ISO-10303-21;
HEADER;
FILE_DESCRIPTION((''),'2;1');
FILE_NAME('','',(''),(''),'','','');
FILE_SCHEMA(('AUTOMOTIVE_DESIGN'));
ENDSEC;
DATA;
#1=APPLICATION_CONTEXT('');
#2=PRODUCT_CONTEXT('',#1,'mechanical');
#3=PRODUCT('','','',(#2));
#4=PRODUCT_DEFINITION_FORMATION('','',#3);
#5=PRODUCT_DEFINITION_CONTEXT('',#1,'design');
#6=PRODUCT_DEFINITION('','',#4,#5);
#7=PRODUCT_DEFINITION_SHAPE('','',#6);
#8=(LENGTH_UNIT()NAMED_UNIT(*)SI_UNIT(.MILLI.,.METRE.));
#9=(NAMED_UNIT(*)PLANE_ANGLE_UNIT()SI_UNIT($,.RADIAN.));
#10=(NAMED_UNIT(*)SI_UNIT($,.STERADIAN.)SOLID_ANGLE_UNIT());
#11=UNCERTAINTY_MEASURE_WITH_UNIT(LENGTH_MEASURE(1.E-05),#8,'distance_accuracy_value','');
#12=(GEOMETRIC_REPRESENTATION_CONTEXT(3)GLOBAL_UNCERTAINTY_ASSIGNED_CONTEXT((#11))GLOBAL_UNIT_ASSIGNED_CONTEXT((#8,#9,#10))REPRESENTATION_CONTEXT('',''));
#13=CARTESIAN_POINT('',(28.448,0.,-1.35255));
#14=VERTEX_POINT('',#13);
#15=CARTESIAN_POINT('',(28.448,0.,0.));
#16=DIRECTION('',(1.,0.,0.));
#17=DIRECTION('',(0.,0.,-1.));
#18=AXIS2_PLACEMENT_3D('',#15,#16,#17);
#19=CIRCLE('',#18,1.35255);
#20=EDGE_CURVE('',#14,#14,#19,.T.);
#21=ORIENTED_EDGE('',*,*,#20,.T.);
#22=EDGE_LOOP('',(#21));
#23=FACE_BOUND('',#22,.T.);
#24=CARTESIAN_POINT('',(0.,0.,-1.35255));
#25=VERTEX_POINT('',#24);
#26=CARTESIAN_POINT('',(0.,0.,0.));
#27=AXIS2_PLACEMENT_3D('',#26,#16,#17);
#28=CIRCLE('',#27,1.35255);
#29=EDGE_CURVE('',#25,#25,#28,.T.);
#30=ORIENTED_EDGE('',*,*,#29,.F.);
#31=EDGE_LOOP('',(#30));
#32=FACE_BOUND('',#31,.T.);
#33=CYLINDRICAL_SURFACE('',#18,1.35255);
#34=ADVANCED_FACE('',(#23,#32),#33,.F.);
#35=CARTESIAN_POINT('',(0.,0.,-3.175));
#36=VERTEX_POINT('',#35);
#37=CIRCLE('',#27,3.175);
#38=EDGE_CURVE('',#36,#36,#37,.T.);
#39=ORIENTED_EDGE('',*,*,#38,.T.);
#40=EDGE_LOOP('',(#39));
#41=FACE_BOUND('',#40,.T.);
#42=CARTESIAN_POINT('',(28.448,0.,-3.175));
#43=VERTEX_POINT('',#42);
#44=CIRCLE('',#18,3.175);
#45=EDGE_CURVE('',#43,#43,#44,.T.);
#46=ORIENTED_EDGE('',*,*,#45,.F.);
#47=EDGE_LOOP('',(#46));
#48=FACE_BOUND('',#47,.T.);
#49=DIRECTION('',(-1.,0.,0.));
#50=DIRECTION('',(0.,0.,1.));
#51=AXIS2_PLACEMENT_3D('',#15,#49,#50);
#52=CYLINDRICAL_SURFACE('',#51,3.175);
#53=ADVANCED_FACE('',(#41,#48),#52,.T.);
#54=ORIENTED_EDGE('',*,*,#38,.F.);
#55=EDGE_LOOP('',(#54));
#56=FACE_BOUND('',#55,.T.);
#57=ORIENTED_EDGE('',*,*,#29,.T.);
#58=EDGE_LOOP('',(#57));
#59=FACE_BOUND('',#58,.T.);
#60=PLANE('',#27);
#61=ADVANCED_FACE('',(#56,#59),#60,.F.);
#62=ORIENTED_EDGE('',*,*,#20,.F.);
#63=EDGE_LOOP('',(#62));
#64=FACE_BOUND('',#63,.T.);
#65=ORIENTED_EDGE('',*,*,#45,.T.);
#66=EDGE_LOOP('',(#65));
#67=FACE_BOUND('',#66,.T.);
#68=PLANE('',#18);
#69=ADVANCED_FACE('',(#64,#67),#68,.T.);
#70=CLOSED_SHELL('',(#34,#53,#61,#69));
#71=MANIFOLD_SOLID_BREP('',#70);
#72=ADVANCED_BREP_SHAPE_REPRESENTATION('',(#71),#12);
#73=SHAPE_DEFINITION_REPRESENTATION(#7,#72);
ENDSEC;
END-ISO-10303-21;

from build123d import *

# Parameters (mm, degrees)
SKETCH1_R             = 3.175
BOSS_EXTRUDE1_DEPTH   = 28.448
F_6_32_TAPPED_HOLE1_D = 2.7051


with BuildPart() as part:
    # Sketch1 → Boss-Extrude1 (new body)
    with BuildSketch(Plane(origin=(0, 0, 0), x_dir=(0, 0, -1), z_dir=(1, 0, 0))):
        Circle(SKETCH1_R)
    extrude(amount=BOSS_EXTRUDE1_DEPTH)

    # #6-32 Tapped Hole1 (through all)
    with Locations(Plane(origin=(28.448, 0, 0), x_dir=(0, 0, -1), z_dir=(1, 0, 0))):
        with Locations((0, 0)):
            Hole(F_6_32_TAPPED_HOLE1_D / 2)


solid = part.part
